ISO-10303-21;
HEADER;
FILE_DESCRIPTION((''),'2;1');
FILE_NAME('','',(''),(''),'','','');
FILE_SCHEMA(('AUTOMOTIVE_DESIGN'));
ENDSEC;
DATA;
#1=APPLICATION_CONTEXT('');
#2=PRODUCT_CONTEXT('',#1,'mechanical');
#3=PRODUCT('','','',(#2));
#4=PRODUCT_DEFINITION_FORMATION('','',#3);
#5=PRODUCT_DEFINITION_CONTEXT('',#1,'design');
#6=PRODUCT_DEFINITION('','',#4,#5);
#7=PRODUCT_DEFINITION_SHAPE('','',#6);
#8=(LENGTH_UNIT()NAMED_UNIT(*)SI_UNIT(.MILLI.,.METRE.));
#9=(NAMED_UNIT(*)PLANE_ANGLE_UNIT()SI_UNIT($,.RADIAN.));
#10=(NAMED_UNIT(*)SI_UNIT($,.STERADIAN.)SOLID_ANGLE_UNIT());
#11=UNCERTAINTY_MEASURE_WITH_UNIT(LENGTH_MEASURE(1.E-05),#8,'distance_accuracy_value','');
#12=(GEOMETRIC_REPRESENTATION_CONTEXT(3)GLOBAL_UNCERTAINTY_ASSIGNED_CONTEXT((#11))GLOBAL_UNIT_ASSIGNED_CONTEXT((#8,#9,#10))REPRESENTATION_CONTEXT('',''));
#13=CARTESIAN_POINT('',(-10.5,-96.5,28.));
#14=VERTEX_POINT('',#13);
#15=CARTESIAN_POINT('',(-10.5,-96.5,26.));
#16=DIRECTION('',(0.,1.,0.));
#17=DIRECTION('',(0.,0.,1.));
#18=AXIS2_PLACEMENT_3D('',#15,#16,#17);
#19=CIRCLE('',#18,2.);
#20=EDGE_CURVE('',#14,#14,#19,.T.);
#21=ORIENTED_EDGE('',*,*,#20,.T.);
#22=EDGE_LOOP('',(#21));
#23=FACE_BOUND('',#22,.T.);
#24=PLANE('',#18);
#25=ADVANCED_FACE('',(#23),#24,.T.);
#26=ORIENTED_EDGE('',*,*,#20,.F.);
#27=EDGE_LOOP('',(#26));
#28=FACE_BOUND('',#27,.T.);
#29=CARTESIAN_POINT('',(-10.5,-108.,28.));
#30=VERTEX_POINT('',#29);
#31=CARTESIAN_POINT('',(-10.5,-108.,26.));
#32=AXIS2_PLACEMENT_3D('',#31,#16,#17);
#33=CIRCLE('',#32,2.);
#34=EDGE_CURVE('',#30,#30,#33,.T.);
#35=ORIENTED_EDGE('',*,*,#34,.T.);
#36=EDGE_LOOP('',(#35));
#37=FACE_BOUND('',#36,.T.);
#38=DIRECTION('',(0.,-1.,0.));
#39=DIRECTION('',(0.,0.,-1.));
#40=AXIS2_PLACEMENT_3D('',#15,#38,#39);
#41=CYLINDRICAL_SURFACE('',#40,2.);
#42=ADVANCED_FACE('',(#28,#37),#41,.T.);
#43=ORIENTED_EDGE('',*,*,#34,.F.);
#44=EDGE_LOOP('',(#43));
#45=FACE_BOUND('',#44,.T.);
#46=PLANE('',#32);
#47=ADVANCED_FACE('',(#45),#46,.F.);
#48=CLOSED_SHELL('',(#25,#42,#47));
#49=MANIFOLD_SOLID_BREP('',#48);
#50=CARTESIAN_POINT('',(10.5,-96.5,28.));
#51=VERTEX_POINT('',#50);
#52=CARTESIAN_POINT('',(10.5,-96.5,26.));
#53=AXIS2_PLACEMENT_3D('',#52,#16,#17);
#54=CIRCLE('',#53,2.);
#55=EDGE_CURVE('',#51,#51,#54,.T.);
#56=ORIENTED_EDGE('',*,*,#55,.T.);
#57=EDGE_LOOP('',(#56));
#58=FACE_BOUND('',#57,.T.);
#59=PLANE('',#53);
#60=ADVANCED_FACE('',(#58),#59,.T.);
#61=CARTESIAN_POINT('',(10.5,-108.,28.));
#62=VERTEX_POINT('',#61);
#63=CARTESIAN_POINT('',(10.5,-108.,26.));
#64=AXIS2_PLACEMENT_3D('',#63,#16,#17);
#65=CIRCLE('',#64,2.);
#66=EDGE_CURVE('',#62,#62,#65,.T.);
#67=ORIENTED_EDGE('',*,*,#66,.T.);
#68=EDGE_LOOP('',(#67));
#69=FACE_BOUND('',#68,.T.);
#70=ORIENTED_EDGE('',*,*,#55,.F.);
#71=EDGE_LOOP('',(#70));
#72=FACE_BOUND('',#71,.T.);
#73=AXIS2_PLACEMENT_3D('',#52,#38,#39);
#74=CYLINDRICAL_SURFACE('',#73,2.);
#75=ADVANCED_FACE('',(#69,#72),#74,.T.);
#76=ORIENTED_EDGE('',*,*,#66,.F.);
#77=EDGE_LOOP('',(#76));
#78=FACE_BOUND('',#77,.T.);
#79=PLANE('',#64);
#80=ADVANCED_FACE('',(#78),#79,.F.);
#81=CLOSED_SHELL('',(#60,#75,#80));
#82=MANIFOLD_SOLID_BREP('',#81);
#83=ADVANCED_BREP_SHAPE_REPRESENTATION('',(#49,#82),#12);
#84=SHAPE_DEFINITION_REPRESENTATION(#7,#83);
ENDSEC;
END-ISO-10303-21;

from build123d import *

# Parameters (mm, degrees)
SKETCH1_R           = 2
BOSS_EXTRUDE1_DEPTH = 11.5
SKETCH2_R           = 2
BOSS_EXTRUDE2_DEPTH = 11.5


with BuildPart() as part:
    # Sketch1 → Boss-Extrude1 (new body)
    with BuildSketch(Plane(origin=(0, -108, 0), x_dir=(1, 0, 0), z_dir=(0, 1, 0))):
        with Locations(Location((-10.5, -26, 0), (0, 0, 270))):
            Circle(SKETCH1_R)
    extrude(amount=BOSS_EXTRUDE1_DEPTH)


with BuildPart() as body_2:
    # Sketch2 → Boss-Extrude2 (new body)
    with BuildSketch(Plane(origin=(0, -108, 0), x_dir=(1, 0, 0), z_dir=(0, 1, 0))):
        with Locations(Location((10.5, -26, 0), (0, 0, 270))):
            Circle(SKETCH2_R)
    extrude(amount=BOSS_EXTRUDE2_DEPTH)


solid = Compound([part.part, body_2.part])
